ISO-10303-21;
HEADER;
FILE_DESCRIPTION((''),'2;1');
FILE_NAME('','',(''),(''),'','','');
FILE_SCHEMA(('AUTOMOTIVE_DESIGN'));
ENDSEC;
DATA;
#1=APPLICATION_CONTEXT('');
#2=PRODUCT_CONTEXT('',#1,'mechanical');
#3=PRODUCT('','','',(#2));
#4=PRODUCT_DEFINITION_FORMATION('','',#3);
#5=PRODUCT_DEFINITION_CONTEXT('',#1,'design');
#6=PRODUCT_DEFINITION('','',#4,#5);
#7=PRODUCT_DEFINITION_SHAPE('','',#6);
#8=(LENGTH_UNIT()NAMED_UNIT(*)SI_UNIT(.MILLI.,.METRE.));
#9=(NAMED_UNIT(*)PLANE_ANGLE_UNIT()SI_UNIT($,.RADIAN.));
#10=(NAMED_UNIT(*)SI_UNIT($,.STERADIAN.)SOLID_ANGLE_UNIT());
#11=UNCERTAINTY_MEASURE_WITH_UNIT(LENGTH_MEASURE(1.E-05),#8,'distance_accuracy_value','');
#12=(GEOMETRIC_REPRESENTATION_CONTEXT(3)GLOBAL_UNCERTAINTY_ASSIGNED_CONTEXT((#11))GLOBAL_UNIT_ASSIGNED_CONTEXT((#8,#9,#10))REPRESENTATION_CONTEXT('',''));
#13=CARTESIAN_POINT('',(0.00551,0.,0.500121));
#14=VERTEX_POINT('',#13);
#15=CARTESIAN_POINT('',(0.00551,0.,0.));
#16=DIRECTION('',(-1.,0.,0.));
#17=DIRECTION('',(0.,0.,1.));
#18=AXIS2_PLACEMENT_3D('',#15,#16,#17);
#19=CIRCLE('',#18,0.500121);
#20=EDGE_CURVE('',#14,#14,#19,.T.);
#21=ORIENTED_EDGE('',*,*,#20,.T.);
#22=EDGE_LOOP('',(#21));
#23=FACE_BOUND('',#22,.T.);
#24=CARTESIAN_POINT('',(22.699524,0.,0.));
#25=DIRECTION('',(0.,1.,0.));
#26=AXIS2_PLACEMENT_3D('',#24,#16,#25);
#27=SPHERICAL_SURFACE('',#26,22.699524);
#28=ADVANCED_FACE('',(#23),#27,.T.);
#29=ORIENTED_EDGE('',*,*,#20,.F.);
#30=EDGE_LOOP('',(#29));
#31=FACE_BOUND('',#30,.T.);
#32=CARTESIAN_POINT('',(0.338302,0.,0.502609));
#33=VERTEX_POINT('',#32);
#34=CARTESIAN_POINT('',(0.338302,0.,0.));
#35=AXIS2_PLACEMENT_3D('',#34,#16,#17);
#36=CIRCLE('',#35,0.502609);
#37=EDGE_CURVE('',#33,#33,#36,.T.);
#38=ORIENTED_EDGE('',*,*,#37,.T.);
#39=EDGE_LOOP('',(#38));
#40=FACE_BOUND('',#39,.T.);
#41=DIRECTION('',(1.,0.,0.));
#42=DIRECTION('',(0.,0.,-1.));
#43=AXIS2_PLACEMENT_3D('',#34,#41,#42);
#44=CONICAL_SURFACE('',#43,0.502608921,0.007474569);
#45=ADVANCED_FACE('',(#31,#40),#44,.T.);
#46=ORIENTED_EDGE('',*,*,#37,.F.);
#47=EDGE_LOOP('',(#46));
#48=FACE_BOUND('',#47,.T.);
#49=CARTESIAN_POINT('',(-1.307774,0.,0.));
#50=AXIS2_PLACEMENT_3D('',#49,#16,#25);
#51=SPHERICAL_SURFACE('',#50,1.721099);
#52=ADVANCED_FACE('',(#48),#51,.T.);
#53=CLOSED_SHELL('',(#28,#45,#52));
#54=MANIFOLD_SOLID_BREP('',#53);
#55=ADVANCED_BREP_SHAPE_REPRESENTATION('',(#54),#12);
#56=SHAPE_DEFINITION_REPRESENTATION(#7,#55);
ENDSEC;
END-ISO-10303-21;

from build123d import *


with BuildPart() as part:
    # 草图1 → 旋转1 (revolve)
    with BuildSketch(Plane.XY):
        with BuildLine():
            Line((0, 0), (0.41332489, 0))
            ThreePointArc((0.41332489, 0), (0.394465804, 0.254088658), (0.338301846, 0.502608921))
            Line((0.338301846, 0.502608921), (0.005510066, 0.500121399))
            ThreePointArc((0.005510066, 0.500121399), (0.001377558, 0.250075876), (0, 0))
        make_face()
    revolve(axis=Axis((0, 0, 0), (1, 0, 0)))


solid = part.part
